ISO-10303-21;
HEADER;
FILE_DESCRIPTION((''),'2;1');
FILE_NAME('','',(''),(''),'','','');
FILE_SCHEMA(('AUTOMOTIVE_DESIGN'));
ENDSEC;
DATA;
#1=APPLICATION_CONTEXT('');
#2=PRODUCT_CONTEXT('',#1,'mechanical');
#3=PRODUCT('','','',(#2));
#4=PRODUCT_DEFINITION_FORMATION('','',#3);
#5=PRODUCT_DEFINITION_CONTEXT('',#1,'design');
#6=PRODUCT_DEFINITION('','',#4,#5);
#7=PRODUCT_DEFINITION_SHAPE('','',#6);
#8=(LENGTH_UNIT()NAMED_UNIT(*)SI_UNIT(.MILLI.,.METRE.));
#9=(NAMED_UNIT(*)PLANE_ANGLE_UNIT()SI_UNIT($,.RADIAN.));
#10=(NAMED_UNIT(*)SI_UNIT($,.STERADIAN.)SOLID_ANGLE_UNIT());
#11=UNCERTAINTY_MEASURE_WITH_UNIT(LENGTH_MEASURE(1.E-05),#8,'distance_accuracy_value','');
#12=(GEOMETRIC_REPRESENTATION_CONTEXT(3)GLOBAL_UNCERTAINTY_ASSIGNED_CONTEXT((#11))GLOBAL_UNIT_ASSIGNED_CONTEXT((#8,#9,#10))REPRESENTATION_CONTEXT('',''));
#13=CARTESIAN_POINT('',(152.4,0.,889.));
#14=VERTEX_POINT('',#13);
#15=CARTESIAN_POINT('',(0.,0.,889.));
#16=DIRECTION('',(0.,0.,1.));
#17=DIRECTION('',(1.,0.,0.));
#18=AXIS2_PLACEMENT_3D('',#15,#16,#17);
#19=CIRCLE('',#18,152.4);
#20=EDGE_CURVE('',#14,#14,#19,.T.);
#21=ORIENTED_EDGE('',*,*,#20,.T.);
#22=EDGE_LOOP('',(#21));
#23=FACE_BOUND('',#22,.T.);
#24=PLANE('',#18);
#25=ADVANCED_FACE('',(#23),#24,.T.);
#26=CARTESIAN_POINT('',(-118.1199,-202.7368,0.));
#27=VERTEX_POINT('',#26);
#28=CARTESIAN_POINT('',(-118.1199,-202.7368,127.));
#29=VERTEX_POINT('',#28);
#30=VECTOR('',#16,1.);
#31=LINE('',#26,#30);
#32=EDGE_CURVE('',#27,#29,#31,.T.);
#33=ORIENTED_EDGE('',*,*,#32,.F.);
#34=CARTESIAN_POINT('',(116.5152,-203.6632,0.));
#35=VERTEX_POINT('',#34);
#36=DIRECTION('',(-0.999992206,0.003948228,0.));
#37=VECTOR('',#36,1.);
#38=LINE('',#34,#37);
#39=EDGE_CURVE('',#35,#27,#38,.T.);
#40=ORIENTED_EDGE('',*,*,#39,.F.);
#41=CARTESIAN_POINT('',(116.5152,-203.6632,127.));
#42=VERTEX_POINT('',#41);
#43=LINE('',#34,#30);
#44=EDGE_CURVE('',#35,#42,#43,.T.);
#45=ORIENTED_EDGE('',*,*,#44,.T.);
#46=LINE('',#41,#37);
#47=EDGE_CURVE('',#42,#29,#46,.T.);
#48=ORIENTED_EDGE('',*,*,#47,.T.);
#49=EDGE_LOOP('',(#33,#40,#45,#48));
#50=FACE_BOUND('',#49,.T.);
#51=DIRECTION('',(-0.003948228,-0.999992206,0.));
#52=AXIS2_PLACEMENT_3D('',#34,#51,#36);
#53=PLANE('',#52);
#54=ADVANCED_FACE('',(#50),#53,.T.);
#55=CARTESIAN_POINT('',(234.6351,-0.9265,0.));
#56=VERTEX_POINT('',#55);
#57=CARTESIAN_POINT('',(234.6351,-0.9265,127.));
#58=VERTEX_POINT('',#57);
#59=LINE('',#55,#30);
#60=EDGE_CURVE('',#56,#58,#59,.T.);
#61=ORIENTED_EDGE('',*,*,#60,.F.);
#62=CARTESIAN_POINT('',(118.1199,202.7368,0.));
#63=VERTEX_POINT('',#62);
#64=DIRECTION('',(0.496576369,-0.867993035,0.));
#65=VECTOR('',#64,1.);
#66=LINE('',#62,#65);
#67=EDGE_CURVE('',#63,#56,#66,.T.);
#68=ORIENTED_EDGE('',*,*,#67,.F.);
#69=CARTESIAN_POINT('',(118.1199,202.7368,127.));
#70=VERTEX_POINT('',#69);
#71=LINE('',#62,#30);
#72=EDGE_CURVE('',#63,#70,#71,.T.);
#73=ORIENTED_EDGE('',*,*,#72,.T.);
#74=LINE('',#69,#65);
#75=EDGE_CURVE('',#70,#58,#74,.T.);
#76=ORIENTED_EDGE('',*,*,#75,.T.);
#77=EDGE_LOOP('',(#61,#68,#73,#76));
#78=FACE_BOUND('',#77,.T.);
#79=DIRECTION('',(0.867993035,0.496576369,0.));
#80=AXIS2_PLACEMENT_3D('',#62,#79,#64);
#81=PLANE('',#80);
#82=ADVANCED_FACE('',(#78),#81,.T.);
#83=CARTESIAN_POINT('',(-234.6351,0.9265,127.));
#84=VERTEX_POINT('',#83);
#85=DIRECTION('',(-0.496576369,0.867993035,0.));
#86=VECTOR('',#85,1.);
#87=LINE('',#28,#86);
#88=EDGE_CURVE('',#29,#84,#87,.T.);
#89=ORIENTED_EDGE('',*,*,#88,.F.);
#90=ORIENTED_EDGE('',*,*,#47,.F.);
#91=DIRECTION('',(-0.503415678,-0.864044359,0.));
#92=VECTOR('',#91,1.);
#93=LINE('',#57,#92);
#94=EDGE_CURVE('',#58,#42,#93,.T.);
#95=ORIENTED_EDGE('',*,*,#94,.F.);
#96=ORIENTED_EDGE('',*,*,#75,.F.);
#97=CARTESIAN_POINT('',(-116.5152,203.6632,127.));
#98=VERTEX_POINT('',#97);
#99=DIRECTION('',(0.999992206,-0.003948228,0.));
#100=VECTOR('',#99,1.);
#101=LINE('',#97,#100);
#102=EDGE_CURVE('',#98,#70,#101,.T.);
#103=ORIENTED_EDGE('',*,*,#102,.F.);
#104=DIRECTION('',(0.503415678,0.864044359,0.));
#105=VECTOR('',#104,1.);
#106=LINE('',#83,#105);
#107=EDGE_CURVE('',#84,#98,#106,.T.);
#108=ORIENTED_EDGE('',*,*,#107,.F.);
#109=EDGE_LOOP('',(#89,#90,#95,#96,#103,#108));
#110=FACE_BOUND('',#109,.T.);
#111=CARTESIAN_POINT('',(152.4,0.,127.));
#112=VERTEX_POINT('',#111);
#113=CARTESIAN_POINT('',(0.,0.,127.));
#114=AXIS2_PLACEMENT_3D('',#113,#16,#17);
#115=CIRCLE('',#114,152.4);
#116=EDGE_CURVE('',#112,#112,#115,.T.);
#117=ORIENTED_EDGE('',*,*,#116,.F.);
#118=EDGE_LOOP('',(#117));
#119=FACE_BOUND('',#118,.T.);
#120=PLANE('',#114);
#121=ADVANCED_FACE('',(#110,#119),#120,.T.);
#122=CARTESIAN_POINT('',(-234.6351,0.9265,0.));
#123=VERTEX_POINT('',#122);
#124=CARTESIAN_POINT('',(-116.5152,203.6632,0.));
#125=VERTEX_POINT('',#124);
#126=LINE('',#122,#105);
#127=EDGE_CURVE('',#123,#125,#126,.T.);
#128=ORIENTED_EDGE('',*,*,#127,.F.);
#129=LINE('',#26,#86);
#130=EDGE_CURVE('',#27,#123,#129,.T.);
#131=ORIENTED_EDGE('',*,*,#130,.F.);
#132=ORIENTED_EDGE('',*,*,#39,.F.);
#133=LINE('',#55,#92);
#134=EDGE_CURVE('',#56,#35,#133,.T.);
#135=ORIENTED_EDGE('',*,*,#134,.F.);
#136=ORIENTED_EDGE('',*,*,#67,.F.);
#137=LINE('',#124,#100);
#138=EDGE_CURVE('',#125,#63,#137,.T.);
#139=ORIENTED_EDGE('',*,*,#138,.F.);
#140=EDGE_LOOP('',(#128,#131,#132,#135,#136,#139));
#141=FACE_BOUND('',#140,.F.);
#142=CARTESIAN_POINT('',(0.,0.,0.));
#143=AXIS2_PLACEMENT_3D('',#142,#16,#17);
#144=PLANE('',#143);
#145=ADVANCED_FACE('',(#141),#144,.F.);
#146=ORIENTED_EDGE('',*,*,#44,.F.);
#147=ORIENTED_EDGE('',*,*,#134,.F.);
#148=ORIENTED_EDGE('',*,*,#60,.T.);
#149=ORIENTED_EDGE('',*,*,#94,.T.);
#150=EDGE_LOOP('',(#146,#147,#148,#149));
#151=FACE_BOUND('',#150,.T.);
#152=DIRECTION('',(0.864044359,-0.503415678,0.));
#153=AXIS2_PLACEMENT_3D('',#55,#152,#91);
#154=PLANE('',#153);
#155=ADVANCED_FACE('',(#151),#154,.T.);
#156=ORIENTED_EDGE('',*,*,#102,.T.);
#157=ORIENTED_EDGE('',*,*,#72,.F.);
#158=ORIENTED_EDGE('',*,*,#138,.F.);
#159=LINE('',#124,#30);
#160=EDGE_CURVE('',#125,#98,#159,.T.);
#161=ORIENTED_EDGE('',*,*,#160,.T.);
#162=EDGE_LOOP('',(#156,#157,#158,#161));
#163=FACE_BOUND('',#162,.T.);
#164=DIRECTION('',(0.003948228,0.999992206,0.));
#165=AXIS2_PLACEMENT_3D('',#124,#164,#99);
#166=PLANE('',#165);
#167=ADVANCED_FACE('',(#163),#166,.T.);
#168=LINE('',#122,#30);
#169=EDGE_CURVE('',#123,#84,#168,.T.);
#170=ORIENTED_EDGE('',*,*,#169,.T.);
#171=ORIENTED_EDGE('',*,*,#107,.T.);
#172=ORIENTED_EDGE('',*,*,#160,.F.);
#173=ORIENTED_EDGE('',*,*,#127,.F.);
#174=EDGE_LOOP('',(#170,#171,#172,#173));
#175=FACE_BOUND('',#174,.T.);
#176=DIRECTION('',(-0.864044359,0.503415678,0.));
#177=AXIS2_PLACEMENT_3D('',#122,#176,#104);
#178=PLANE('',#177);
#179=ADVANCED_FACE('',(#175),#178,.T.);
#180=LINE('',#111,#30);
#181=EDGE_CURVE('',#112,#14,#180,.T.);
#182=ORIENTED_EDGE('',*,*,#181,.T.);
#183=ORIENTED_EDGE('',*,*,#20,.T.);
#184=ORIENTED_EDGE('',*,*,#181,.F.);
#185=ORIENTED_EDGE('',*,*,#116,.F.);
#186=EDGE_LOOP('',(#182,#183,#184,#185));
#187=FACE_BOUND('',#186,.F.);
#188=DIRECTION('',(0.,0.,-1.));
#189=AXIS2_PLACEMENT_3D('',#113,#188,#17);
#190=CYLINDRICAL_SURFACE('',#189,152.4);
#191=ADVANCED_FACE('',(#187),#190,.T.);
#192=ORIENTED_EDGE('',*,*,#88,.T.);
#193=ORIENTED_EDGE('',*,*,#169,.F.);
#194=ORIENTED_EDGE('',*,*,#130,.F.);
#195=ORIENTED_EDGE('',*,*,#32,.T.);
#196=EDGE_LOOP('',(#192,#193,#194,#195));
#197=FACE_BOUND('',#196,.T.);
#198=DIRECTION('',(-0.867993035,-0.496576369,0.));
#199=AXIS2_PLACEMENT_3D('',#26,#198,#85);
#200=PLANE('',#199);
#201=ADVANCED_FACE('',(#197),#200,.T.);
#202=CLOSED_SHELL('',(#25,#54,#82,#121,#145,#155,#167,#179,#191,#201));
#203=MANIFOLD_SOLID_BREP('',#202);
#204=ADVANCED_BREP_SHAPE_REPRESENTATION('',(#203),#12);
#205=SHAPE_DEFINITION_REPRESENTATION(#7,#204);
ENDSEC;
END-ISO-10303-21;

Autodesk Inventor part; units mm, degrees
ref_plane "YZ Plane" through (0, 0, 0) normal (1, 0, 0) x (0, 1, 0)
ref_plane "XZ Plane" through (0, 0, 0) normal (0, 1, 0) x (-1, 0, 0)
ref_plane "XY Plane" through (0, 0, 0) normal (0, 0, 1) x (1, 0, 0)
sketch "Sketch1" plane through (0, 0, 0) normal (0, 0, 1) x (1, 0, 0)
  point P0 (0, 0)
sketch "Sketch2" plane through (0, 0, 0) normal (0, 0, 1) x (1, 0, 0)
  line L0 (118.1199, 202.7368) -> (234.6351, -0.9265)
  line L1 (234.6351, -0.9265) -> (116.5152, -203.6632)
  line L2 (116.5152, -203.6632) -> (-118.1199, -202.7368)
  line L3 (-118.1199, -202.7368) -> (-234.6351, 0.9265)
  line L4 (-234.6351, 0.9265) -> (-116.5152, 203.6632)
  line L5 (-116.5152, 203.6632) -> (118.1199, 202.7368)
  point P0 (0, 0)
  point P1 (0, 0)
  point P2 (-0.8024, -203.2)
  point P3 (0.8024, 203.2)
  dimension "d0" = 406.4
extrude "Extrusion1" add sketch "Sketch2" along normal blind 127
sketch "Sketch3" plane through (0, 0, 127) normal (0, 0, 1) x (1, 0, 0)
  circle A0 centre (0, 0) radius 152.4
  dimension "d3" = 304.8
extrude "Extrusion2" add sketch "Sketch3" along normal blind 762
properties part number "nut2"
